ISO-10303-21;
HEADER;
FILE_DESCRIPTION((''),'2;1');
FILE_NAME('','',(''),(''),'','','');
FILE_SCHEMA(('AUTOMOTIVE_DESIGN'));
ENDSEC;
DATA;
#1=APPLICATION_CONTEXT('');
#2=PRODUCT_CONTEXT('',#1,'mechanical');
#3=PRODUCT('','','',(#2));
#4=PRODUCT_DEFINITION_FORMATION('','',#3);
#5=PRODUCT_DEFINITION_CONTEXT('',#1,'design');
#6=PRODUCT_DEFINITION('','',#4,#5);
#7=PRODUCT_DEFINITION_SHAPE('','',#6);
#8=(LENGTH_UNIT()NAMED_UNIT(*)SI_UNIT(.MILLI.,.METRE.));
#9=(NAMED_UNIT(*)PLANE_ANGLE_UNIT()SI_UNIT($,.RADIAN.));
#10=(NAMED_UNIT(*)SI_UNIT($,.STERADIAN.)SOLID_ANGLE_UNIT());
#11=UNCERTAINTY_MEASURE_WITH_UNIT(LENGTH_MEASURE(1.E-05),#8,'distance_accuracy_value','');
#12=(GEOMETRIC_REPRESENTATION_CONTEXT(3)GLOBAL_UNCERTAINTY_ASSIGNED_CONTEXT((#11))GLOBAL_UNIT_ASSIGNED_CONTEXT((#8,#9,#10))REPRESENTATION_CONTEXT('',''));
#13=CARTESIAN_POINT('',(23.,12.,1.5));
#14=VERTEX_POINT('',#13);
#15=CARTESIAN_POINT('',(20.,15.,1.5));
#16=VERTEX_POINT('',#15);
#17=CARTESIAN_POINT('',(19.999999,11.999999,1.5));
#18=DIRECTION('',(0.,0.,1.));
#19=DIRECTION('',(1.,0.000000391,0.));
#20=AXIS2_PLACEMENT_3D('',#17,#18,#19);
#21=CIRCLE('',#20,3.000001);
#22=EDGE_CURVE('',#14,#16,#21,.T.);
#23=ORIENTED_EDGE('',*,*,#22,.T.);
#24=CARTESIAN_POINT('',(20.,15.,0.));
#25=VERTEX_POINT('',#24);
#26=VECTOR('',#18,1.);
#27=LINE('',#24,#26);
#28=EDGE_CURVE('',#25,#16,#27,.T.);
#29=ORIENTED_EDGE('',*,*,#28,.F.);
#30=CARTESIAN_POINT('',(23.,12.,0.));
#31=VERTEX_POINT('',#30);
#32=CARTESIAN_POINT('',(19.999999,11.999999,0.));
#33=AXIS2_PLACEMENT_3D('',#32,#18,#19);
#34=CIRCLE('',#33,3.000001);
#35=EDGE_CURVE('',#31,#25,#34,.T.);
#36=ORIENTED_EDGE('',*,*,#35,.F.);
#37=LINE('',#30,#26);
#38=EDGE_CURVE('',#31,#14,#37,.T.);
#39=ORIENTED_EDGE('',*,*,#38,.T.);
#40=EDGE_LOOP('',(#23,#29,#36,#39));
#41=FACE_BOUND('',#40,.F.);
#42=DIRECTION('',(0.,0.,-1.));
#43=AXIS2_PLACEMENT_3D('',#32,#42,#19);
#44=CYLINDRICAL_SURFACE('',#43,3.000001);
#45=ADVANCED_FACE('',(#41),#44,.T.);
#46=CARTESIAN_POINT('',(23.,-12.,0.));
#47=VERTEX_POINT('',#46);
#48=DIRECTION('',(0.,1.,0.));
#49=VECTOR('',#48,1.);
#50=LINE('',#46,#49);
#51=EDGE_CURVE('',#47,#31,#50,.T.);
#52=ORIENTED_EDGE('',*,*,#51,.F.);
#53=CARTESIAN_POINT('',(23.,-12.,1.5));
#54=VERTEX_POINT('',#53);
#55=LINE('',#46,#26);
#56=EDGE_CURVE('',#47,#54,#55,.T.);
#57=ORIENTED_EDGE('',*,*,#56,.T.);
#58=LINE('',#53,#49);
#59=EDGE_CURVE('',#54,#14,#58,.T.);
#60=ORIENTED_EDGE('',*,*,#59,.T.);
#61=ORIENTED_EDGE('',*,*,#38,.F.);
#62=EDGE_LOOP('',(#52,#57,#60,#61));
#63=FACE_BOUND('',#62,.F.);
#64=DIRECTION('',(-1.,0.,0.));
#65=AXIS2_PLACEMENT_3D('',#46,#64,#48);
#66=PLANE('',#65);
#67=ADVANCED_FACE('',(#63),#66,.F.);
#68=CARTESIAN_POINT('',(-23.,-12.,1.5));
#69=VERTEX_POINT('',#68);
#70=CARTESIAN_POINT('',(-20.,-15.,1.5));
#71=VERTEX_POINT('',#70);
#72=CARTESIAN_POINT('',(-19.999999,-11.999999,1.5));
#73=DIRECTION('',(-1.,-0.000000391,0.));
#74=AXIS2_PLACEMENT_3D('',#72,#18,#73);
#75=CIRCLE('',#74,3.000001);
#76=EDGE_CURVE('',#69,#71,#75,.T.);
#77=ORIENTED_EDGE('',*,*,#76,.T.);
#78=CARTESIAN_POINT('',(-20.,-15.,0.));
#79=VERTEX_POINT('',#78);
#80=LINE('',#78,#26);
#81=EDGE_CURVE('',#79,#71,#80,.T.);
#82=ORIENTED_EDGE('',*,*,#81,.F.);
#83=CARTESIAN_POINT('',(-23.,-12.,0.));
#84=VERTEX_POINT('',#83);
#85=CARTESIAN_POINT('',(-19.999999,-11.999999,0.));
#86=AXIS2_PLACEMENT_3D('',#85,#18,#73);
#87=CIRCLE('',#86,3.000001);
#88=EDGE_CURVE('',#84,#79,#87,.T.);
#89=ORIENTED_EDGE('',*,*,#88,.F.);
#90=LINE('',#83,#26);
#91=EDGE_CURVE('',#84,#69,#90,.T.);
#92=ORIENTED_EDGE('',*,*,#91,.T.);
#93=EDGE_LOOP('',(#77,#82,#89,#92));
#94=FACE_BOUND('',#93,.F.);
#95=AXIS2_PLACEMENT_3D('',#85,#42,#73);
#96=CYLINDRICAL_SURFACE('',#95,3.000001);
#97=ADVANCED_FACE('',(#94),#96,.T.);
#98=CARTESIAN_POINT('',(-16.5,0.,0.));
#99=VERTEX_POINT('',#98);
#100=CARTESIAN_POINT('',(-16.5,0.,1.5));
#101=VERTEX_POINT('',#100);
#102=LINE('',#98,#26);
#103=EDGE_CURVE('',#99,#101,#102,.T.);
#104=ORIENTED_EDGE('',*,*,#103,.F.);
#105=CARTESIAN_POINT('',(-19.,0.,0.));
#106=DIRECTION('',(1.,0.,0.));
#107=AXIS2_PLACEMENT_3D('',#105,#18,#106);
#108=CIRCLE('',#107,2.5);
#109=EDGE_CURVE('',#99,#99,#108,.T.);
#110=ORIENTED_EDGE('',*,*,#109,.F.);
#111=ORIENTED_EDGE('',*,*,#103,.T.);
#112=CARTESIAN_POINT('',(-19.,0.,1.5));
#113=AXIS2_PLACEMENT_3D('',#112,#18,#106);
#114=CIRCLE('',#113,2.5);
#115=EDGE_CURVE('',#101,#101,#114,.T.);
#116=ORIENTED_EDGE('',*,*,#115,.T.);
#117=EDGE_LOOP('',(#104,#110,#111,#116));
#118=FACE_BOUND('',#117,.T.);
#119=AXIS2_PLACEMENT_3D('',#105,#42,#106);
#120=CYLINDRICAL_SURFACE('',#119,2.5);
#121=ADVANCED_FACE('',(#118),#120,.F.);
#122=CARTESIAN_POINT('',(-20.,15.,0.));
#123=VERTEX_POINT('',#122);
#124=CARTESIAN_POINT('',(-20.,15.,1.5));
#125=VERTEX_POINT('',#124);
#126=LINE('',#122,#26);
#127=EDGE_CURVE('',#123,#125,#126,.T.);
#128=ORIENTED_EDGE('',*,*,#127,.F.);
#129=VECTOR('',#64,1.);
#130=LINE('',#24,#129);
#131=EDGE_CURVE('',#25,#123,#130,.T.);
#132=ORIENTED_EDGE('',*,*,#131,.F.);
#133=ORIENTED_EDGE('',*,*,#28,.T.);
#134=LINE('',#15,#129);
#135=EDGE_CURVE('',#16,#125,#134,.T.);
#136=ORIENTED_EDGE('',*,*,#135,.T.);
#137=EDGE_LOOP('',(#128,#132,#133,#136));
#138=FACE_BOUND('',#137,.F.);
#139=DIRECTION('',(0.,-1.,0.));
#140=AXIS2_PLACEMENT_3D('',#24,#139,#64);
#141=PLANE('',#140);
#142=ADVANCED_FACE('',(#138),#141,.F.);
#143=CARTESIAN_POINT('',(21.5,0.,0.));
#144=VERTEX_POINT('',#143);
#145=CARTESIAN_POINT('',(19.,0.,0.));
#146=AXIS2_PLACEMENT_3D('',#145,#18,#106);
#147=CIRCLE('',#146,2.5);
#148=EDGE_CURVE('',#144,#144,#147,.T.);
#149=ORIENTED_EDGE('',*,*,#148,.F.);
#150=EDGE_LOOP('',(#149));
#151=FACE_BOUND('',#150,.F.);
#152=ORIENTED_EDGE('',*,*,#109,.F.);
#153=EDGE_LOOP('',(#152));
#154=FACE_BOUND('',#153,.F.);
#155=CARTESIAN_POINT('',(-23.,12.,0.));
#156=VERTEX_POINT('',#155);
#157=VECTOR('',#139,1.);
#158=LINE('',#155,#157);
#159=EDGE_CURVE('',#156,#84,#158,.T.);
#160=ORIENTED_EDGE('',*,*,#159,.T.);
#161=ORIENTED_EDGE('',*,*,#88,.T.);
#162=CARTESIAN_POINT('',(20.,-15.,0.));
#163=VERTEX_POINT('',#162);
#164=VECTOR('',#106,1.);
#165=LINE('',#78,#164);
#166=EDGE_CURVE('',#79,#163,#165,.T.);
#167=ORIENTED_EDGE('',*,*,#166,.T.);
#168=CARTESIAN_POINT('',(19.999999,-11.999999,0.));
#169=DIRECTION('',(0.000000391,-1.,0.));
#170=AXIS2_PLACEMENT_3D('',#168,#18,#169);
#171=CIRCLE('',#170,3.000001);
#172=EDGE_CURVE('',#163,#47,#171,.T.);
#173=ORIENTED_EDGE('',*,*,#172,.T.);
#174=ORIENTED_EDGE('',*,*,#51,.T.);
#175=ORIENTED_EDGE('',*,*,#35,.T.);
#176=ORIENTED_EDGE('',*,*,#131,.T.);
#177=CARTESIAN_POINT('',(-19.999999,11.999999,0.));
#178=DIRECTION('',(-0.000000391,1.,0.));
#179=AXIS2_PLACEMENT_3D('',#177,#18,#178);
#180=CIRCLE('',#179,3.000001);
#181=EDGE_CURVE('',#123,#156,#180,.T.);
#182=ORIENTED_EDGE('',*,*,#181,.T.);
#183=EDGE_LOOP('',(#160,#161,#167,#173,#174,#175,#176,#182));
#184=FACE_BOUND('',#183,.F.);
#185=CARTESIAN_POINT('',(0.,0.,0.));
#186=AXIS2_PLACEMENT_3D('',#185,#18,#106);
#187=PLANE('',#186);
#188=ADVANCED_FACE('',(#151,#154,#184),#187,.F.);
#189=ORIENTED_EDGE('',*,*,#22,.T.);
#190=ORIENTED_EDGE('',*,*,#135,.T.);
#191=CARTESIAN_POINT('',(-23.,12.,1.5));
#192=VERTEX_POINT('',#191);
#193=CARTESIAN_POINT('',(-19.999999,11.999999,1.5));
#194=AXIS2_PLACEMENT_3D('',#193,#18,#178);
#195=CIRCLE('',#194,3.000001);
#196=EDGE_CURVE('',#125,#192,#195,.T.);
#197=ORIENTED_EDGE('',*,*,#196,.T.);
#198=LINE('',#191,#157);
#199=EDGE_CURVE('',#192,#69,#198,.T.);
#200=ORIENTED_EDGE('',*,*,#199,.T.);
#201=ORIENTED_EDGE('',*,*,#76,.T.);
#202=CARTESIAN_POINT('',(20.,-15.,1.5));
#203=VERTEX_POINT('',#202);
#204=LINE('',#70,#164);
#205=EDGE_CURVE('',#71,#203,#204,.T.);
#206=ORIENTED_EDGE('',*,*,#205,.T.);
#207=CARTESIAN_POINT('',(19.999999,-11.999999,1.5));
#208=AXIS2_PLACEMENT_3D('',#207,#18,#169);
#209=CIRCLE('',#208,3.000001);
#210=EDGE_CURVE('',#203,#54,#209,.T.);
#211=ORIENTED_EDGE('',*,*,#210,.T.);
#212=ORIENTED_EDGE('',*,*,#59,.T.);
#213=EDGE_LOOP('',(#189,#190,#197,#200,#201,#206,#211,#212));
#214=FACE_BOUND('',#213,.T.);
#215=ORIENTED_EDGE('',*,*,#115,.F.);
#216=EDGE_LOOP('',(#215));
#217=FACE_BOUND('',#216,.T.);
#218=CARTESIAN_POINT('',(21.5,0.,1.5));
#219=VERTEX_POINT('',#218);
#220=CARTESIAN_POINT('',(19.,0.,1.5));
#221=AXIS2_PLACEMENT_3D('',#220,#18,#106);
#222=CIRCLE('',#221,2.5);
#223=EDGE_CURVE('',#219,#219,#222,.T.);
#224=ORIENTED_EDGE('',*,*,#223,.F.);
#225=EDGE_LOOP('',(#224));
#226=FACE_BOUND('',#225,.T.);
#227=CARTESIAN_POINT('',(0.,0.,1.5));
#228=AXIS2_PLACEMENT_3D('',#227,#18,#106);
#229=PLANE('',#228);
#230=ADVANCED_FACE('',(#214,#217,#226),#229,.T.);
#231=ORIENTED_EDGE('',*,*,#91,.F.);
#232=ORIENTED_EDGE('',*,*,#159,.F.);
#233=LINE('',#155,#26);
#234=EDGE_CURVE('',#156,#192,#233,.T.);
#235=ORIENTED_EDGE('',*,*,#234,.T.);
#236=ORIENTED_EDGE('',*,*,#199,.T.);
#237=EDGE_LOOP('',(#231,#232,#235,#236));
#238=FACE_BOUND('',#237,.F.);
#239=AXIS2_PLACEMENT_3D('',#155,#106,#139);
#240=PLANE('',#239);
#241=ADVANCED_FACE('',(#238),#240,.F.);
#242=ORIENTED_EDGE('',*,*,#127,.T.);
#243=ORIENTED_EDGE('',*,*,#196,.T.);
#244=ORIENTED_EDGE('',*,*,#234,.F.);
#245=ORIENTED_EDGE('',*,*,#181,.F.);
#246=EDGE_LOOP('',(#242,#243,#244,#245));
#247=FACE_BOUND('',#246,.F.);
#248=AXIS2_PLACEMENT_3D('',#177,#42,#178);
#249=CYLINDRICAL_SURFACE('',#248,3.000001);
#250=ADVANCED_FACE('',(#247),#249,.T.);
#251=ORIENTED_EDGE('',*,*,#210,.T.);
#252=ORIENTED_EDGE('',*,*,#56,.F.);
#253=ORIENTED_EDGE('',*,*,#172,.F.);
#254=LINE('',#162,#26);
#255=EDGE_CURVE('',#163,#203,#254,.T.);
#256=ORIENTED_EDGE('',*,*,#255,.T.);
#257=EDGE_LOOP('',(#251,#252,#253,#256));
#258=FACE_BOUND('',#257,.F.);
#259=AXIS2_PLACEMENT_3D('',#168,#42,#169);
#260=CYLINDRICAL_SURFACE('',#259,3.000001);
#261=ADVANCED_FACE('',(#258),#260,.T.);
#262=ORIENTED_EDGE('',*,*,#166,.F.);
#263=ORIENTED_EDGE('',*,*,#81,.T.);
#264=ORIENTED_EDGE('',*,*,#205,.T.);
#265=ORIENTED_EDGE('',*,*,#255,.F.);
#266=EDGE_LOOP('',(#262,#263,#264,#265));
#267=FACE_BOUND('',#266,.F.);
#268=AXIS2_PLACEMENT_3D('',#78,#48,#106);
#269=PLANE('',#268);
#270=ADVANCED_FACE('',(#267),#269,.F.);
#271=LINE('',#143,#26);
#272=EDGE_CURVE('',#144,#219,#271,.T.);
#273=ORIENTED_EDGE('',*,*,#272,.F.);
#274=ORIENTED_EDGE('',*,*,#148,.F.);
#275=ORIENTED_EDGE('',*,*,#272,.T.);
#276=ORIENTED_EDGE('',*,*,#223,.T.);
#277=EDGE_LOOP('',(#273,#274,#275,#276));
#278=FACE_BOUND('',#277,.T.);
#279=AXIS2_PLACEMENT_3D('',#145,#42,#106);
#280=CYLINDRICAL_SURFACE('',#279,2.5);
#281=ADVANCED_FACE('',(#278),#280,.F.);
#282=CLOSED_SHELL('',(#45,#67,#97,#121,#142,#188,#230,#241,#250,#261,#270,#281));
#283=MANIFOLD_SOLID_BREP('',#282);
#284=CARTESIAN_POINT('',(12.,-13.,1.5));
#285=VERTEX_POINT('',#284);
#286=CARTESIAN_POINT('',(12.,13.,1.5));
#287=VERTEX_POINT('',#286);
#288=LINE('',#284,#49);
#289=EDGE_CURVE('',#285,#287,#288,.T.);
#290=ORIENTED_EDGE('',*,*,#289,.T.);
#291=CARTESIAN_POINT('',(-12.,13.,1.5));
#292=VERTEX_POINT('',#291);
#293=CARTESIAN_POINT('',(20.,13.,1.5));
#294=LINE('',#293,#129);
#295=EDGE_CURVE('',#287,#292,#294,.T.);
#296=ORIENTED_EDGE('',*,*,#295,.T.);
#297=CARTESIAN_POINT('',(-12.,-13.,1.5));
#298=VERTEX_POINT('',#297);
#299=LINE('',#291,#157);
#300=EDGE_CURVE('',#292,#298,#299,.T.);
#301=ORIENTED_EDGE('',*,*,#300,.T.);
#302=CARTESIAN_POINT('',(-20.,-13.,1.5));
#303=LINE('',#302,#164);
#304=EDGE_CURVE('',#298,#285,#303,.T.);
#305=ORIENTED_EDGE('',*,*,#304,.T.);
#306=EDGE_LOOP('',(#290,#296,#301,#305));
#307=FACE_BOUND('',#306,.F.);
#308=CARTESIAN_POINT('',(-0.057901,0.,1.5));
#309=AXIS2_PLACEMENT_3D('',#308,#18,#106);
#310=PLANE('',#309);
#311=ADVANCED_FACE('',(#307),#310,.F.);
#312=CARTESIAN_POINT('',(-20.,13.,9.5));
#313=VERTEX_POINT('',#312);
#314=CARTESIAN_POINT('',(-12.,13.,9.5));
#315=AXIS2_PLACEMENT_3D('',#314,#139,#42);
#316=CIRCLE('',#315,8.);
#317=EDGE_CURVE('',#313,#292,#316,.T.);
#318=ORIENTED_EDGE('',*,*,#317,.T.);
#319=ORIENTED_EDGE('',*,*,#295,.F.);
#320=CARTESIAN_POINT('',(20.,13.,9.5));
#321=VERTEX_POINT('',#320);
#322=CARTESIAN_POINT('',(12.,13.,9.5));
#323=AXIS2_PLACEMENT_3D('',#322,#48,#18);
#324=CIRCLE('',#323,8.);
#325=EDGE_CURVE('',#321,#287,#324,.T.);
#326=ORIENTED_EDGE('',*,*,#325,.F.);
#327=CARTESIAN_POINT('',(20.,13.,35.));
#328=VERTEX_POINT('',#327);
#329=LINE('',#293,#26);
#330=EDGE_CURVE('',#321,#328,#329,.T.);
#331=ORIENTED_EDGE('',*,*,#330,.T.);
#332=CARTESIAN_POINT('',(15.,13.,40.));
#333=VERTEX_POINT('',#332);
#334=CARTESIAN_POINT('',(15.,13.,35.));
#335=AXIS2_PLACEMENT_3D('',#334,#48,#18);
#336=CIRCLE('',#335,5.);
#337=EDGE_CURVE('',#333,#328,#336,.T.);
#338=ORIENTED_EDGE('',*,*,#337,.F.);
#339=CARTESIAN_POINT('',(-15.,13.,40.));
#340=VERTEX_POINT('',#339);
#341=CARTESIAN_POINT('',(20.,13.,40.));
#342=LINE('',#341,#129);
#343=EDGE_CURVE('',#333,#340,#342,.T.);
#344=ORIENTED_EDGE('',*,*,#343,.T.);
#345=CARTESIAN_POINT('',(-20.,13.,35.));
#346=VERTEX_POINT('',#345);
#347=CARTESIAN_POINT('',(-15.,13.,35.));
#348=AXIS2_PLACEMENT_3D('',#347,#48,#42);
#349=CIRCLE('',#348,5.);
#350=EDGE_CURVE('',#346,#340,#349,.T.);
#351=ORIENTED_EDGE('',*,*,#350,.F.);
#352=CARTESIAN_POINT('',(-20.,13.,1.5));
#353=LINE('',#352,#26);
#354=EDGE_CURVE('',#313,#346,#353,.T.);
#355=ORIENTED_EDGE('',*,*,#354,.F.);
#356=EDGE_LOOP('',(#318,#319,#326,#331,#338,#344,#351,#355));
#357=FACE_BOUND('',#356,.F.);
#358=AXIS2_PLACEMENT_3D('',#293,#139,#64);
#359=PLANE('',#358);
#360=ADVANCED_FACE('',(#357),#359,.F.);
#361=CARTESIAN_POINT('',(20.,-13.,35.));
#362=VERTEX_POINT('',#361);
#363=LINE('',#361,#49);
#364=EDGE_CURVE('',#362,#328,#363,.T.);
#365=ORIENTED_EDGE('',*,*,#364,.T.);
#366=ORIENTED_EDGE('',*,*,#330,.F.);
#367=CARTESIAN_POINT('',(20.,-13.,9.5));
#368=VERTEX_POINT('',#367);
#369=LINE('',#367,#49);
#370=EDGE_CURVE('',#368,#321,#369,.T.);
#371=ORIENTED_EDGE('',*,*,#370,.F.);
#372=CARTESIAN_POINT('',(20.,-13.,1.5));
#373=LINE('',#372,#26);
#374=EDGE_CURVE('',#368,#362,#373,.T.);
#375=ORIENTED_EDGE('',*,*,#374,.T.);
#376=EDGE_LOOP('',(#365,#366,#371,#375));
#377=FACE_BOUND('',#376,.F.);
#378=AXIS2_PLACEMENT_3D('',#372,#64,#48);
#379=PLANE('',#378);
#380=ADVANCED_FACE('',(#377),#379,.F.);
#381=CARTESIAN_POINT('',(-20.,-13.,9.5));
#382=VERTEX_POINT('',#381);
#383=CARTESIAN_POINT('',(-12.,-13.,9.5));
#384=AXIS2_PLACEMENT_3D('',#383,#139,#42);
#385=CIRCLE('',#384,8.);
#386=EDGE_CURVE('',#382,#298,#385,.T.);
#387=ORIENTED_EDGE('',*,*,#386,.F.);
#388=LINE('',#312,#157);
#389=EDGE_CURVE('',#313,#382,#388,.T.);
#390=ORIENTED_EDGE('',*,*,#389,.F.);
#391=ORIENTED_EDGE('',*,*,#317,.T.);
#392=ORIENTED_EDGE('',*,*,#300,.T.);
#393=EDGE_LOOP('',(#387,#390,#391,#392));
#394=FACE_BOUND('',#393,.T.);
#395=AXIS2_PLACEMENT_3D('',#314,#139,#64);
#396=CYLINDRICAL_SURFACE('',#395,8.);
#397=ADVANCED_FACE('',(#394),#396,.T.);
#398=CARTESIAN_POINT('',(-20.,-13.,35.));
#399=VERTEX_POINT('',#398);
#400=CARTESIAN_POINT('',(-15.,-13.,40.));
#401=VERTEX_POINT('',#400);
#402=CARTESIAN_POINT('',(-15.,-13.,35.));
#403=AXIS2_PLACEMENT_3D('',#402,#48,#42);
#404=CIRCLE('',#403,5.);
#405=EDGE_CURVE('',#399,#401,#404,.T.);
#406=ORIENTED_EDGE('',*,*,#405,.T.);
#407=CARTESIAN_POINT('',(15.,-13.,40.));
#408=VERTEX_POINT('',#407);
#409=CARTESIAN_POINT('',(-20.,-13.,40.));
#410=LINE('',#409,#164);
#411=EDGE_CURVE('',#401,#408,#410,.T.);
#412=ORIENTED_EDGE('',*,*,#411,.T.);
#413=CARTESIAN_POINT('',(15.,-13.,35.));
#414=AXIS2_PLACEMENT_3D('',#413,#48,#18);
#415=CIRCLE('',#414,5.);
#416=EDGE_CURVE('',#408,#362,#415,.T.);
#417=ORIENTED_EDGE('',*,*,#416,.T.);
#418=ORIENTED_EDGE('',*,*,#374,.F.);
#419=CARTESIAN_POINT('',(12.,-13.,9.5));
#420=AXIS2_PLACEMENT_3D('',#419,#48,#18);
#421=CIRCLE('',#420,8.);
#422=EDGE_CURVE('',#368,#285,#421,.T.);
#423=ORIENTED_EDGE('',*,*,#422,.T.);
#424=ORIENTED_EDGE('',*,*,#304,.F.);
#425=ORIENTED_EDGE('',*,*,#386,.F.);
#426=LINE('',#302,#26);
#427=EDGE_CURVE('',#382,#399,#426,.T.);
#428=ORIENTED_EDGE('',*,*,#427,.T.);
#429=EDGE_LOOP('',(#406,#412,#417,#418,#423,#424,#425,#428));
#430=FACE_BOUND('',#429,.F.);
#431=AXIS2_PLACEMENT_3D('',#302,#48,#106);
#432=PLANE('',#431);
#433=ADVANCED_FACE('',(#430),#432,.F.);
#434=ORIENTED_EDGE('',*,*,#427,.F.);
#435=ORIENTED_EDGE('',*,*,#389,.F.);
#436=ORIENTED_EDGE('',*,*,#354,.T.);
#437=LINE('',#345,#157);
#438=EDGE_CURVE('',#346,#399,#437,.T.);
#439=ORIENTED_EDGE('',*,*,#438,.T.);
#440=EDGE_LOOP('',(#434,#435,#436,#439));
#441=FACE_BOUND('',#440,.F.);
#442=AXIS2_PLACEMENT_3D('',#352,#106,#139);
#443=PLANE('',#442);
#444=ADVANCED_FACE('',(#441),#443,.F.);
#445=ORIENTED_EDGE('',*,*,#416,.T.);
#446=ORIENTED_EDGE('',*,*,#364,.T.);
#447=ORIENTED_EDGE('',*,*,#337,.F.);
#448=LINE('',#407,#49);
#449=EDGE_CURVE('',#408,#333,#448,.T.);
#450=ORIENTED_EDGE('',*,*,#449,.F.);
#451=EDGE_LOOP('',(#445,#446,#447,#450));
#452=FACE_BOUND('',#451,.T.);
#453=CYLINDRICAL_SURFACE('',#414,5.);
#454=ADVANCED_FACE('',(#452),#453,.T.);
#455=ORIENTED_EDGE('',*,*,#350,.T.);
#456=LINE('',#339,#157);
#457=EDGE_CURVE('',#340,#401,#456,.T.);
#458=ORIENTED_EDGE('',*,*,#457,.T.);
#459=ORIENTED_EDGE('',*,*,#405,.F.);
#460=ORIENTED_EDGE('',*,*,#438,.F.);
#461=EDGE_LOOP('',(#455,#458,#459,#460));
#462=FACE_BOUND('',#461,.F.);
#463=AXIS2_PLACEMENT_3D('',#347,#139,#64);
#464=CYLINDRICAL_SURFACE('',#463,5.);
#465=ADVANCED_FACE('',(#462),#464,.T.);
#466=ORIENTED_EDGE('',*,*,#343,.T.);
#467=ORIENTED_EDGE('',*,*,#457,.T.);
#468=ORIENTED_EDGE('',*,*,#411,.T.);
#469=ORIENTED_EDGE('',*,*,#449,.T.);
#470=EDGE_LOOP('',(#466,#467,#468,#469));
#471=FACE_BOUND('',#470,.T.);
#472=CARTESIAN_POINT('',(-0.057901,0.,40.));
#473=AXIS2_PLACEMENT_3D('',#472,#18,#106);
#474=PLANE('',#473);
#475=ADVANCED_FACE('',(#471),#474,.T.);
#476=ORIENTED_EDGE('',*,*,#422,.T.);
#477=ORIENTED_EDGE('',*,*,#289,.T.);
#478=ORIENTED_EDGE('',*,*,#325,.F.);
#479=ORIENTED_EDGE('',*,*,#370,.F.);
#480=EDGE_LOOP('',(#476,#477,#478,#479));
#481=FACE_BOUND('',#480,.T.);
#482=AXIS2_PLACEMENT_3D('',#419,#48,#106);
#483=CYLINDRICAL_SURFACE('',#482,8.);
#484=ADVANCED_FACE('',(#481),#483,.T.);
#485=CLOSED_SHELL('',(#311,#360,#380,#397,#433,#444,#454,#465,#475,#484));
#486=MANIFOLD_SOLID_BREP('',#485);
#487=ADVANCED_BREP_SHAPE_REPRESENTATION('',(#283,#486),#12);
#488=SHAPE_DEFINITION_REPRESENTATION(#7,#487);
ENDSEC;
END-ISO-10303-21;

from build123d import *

# Parameters (mm, degrees)
F0_R     = 2.5
F1_DEPTH = 1.5
F3_DEPTH = 38.5
F4_R     = 8
F5_R     = 5


with BuildPart() as f1:
    # F0 (on Top) → F1 (new body)
    with BuildSketch(Plane.XY):
        with BuildLine():
            Line((-20, -15), (20, -15))
            ThreePointArc((20, -15), (22.12132, -14.12132), (23, -12))
            Line((23, -12), (23, 12))
            ThreePointArc((23, 12), (22.12132, 14.12132), (20, 15))
            Line((20, 15), (-20, 15))
            ThreePointArc((-20, 15), (-22.12132, 14.12132), (-23, 12))
            Line((-23, 12), (-23, -12))
            ThreePointArc((-23, -12), (-22.12132, -14.12132), (-20, -15))
        make_face()
        with Locations((-19, 0)):
            Circle(F0_R, mode=Mode.SUBTRACT)
        with Locations((19, 0)):
            Circle(F0_R, mode=Mode.SUBTRACT)
    extrude(amount=F1_DEPTH)


with BuildPart() as f3:
    # F2 (on face) → F3 (new body)
    with BuildSketch(Plane.XY.offset(1.5)):
        with BuildLine():
            Line((-20, -13), (20, -13))
            Line((20, -13), (20, -2.291288))
            ThreePointArc((20, -2.291288), (16.5, 0), (20, 2.291288))
            Line((20, 2.291288), (20, 13))
            Line((20, 13), (-20, 13))
            Line((-20, 13), (-20, 2.291288))
            ThreePointArc((-20, 2.291288), (-17.630694, 2.09165), (-16.5, 0))
            ThreePointArc((-16.5, 0), (-17.630694, -2.09165), (-20, -2.291288))
            Line((-20, -2.291288), (-20, -13))
        make_face()
        with BuildLine():
            Line((-20, 2.291288), (-20, -2.291288))
            ThreePointArc((-20, -2.291288), (-17.630694, -2.09165), (-16.5, 0))
            ThreePointArc((-16.5, 0), (-17.630694, 2.09165), (-20, 2.291288))
        make_face()
        with BuildLine():
            ThreePointArc((20, 2.291288), (16.5, 0), (20, -2.291288))
            Line((20, -2.291288), (20, 2.291288))
        make_face()
    extrude(amount=F3_DEPTH)

    # F4
    f4_edges = [f3.edges().sort_by_distance(p)[0] for p in [
        (-20, 0, 1.5),
        (20, 0, 1.5),
    ]]
    fillet(f4_edges, radius=F4_R)

    # F5
    f5_edges = [f3.edges().sort_by_distance(p)[0] for p in [
        (-20, 0, 40),
        (20, 0, 40),
    ]]
    fillet(f5_edges, radius=F5_R)


solid = Compound([f1.part, f3.part])
